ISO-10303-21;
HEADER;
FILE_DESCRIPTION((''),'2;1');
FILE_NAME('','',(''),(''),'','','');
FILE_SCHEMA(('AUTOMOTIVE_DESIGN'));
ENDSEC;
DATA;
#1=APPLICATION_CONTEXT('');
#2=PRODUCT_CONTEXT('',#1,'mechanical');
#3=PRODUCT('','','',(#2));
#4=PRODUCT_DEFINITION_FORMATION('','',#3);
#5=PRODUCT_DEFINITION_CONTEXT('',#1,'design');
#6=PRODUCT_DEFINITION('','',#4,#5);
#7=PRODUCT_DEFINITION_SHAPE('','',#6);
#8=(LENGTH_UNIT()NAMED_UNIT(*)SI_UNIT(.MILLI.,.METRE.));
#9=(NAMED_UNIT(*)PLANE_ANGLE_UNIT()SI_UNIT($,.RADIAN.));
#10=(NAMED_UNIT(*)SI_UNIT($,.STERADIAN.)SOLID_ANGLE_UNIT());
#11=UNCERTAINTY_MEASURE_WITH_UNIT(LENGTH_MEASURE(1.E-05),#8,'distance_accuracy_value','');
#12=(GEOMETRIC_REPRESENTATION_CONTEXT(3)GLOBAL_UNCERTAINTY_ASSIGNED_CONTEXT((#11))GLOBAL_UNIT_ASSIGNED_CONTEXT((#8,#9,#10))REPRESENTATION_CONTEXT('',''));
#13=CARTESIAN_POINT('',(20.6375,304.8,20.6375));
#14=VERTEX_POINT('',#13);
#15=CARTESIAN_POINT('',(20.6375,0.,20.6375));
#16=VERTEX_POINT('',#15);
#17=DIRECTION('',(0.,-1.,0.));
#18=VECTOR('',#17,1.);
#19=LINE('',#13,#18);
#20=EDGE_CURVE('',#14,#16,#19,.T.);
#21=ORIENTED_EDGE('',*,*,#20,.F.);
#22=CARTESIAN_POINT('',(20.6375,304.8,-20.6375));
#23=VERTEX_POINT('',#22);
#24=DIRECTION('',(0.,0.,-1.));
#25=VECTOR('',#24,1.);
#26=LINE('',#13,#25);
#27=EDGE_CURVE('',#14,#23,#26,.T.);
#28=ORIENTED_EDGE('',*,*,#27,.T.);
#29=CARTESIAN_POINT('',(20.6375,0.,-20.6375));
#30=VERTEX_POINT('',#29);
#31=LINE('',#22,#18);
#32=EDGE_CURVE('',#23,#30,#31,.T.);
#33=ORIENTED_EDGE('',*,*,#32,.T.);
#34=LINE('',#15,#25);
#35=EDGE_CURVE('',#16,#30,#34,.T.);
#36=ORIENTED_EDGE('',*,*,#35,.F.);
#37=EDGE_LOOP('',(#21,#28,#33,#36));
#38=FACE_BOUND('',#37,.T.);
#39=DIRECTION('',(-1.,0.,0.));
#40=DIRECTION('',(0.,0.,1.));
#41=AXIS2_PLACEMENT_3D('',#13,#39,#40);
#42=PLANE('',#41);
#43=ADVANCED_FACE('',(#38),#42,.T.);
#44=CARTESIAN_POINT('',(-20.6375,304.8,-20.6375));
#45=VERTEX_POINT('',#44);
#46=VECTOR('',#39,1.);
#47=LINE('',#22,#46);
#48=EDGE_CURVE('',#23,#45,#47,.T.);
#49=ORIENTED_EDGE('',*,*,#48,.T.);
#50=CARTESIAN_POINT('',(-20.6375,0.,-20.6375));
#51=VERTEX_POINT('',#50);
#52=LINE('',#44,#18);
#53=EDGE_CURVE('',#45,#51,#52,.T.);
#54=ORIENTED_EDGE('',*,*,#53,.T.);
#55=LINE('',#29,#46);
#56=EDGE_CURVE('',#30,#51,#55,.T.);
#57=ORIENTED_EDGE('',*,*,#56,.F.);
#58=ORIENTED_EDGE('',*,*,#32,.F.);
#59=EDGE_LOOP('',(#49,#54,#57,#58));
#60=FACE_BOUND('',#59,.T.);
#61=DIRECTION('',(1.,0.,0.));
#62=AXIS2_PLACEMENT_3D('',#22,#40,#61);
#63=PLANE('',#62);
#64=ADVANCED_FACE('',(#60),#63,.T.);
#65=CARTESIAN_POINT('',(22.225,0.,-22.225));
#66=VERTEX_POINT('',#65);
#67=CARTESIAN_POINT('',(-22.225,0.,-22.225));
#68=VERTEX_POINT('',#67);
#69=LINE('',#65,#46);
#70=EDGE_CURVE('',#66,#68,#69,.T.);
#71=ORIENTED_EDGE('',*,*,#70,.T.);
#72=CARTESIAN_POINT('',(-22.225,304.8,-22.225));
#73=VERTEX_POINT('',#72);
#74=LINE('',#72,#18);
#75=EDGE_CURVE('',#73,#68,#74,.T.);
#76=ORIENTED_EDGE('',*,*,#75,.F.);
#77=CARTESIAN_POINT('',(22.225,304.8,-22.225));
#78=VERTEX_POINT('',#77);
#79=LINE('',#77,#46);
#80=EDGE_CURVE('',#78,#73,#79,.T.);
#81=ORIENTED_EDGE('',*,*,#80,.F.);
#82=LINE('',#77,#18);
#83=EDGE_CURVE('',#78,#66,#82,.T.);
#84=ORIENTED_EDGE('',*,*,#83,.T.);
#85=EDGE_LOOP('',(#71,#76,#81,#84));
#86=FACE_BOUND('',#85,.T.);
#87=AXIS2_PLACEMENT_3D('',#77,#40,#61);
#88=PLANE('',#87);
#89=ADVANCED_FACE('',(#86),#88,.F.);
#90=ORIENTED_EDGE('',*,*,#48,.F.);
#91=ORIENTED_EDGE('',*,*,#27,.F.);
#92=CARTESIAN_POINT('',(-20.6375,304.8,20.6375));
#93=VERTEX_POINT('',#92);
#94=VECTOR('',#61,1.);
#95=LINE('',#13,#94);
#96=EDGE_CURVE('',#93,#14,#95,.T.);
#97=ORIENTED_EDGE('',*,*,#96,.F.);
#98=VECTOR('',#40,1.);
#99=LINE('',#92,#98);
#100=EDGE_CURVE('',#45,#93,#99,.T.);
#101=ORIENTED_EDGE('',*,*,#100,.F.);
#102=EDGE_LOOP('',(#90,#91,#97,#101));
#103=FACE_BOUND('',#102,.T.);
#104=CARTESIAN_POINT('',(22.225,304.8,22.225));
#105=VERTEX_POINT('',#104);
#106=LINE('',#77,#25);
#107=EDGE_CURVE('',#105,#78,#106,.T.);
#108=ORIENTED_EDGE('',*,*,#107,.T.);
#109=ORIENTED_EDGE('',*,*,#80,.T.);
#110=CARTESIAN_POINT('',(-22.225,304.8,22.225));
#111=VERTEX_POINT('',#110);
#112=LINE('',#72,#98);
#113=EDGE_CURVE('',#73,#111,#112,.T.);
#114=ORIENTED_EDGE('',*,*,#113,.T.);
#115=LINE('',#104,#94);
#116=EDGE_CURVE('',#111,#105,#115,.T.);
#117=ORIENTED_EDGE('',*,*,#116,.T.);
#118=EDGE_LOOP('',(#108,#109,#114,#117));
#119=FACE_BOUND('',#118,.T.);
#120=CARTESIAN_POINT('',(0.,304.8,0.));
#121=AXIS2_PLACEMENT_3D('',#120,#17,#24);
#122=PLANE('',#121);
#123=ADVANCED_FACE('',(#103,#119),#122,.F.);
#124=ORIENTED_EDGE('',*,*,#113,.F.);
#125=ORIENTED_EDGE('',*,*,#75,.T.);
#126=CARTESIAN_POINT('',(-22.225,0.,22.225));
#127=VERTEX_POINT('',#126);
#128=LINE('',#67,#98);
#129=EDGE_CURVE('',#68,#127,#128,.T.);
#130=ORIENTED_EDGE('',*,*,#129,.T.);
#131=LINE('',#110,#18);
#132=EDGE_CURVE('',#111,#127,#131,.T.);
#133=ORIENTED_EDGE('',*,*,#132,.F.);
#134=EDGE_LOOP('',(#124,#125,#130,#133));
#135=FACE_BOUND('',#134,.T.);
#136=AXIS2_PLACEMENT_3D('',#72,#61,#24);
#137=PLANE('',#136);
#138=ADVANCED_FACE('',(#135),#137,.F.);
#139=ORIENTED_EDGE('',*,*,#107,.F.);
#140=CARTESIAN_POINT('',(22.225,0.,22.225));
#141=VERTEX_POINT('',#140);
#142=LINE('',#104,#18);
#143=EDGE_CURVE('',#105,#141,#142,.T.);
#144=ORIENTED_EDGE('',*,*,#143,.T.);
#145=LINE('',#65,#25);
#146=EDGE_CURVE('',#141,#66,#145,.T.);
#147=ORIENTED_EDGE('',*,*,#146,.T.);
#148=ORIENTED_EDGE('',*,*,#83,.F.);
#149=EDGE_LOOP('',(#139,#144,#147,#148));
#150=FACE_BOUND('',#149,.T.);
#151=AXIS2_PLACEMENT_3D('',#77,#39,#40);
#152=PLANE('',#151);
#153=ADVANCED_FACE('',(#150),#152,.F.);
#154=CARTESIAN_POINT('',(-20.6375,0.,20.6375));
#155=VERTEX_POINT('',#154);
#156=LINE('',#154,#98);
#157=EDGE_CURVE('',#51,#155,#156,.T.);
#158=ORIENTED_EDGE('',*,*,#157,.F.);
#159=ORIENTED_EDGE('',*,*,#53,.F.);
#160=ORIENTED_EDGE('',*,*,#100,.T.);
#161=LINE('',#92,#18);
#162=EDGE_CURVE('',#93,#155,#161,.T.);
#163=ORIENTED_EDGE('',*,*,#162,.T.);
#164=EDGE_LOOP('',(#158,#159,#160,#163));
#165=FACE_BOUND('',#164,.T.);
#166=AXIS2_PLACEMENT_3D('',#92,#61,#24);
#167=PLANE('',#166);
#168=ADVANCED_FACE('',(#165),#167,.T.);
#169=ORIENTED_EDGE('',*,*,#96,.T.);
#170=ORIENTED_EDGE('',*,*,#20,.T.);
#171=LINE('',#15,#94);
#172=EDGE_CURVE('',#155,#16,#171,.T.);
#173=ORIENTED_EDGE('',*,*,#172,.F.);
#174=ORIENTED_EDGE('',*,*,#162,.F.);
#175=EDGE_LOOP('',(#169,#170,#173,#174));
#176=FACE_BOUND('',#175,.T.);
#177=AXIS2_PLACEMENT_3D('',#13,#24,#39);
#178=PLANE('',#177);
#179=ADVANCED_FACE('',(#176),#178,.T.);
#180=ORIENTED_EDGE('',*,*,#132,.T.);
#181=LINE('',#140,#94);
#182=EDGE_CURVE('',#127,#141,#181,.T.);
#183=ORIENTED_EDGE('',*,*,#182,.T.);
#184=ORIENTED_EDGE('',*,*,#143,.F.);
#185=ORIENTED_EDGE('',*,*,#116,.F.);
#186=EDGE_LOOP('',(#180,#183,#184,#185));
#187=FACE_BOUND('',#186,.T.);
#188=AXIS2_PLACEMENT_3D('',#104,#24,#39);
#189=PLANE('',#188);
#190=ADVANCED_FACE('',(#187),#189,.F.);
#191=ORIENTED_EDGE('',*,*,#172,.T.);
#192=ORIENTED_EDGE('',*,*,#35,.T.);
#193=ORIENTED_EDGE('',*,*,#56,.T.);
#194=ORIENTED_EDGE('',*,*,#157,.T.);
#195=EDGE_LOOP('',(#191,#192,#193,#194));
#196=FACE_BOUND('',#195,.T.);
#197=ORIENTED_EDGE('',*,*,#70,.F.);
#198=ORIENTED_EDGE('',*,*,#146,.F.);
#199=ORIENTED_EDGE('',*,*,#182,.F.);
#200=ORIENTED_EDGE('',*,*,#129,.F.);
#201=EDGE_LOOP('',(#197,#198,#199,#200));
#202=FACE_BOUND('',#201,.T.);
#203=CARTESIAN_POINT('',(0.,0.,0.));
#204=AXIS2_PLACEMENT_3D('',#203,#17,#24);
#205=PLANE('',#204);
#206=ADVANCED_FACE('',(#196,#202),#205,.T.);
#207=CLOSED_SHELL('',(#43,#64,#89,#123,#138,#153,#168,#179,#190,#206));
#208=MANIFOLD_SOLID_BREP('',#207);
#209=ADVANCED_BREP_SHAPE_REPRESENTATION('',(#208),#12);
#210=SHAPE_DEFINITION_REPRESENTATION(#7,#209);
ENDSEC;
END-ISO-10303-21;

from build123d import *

# Parameters (mm, degrees)
SKETCH1_W           = 44.45
SKETCH1_H           = 44.45
SKETCH1_W_2         = 41.275
SKETCH1_H_2         = 41.275
BOSS_EXTRUDE1_DEPTH = 304.8


with BuildPart() as part:
    # Sketch1 → Boss-Extrude1 (new body)
    with BuildSketch(Plane(origin=(0, 0, 0), x_dir=(1, 0, 0), z_dir=(0, 1, 0))):
        Rectangle(SKETCH1_W, SKETCH1_H)
        Rectangle(SKETCH1_W_2, SKETCH1_H_2, mode=Mode.SUBTRACT)
    extrude(amount=BOSS_EXTRUDE1_DEPTH)


solid = part.part
